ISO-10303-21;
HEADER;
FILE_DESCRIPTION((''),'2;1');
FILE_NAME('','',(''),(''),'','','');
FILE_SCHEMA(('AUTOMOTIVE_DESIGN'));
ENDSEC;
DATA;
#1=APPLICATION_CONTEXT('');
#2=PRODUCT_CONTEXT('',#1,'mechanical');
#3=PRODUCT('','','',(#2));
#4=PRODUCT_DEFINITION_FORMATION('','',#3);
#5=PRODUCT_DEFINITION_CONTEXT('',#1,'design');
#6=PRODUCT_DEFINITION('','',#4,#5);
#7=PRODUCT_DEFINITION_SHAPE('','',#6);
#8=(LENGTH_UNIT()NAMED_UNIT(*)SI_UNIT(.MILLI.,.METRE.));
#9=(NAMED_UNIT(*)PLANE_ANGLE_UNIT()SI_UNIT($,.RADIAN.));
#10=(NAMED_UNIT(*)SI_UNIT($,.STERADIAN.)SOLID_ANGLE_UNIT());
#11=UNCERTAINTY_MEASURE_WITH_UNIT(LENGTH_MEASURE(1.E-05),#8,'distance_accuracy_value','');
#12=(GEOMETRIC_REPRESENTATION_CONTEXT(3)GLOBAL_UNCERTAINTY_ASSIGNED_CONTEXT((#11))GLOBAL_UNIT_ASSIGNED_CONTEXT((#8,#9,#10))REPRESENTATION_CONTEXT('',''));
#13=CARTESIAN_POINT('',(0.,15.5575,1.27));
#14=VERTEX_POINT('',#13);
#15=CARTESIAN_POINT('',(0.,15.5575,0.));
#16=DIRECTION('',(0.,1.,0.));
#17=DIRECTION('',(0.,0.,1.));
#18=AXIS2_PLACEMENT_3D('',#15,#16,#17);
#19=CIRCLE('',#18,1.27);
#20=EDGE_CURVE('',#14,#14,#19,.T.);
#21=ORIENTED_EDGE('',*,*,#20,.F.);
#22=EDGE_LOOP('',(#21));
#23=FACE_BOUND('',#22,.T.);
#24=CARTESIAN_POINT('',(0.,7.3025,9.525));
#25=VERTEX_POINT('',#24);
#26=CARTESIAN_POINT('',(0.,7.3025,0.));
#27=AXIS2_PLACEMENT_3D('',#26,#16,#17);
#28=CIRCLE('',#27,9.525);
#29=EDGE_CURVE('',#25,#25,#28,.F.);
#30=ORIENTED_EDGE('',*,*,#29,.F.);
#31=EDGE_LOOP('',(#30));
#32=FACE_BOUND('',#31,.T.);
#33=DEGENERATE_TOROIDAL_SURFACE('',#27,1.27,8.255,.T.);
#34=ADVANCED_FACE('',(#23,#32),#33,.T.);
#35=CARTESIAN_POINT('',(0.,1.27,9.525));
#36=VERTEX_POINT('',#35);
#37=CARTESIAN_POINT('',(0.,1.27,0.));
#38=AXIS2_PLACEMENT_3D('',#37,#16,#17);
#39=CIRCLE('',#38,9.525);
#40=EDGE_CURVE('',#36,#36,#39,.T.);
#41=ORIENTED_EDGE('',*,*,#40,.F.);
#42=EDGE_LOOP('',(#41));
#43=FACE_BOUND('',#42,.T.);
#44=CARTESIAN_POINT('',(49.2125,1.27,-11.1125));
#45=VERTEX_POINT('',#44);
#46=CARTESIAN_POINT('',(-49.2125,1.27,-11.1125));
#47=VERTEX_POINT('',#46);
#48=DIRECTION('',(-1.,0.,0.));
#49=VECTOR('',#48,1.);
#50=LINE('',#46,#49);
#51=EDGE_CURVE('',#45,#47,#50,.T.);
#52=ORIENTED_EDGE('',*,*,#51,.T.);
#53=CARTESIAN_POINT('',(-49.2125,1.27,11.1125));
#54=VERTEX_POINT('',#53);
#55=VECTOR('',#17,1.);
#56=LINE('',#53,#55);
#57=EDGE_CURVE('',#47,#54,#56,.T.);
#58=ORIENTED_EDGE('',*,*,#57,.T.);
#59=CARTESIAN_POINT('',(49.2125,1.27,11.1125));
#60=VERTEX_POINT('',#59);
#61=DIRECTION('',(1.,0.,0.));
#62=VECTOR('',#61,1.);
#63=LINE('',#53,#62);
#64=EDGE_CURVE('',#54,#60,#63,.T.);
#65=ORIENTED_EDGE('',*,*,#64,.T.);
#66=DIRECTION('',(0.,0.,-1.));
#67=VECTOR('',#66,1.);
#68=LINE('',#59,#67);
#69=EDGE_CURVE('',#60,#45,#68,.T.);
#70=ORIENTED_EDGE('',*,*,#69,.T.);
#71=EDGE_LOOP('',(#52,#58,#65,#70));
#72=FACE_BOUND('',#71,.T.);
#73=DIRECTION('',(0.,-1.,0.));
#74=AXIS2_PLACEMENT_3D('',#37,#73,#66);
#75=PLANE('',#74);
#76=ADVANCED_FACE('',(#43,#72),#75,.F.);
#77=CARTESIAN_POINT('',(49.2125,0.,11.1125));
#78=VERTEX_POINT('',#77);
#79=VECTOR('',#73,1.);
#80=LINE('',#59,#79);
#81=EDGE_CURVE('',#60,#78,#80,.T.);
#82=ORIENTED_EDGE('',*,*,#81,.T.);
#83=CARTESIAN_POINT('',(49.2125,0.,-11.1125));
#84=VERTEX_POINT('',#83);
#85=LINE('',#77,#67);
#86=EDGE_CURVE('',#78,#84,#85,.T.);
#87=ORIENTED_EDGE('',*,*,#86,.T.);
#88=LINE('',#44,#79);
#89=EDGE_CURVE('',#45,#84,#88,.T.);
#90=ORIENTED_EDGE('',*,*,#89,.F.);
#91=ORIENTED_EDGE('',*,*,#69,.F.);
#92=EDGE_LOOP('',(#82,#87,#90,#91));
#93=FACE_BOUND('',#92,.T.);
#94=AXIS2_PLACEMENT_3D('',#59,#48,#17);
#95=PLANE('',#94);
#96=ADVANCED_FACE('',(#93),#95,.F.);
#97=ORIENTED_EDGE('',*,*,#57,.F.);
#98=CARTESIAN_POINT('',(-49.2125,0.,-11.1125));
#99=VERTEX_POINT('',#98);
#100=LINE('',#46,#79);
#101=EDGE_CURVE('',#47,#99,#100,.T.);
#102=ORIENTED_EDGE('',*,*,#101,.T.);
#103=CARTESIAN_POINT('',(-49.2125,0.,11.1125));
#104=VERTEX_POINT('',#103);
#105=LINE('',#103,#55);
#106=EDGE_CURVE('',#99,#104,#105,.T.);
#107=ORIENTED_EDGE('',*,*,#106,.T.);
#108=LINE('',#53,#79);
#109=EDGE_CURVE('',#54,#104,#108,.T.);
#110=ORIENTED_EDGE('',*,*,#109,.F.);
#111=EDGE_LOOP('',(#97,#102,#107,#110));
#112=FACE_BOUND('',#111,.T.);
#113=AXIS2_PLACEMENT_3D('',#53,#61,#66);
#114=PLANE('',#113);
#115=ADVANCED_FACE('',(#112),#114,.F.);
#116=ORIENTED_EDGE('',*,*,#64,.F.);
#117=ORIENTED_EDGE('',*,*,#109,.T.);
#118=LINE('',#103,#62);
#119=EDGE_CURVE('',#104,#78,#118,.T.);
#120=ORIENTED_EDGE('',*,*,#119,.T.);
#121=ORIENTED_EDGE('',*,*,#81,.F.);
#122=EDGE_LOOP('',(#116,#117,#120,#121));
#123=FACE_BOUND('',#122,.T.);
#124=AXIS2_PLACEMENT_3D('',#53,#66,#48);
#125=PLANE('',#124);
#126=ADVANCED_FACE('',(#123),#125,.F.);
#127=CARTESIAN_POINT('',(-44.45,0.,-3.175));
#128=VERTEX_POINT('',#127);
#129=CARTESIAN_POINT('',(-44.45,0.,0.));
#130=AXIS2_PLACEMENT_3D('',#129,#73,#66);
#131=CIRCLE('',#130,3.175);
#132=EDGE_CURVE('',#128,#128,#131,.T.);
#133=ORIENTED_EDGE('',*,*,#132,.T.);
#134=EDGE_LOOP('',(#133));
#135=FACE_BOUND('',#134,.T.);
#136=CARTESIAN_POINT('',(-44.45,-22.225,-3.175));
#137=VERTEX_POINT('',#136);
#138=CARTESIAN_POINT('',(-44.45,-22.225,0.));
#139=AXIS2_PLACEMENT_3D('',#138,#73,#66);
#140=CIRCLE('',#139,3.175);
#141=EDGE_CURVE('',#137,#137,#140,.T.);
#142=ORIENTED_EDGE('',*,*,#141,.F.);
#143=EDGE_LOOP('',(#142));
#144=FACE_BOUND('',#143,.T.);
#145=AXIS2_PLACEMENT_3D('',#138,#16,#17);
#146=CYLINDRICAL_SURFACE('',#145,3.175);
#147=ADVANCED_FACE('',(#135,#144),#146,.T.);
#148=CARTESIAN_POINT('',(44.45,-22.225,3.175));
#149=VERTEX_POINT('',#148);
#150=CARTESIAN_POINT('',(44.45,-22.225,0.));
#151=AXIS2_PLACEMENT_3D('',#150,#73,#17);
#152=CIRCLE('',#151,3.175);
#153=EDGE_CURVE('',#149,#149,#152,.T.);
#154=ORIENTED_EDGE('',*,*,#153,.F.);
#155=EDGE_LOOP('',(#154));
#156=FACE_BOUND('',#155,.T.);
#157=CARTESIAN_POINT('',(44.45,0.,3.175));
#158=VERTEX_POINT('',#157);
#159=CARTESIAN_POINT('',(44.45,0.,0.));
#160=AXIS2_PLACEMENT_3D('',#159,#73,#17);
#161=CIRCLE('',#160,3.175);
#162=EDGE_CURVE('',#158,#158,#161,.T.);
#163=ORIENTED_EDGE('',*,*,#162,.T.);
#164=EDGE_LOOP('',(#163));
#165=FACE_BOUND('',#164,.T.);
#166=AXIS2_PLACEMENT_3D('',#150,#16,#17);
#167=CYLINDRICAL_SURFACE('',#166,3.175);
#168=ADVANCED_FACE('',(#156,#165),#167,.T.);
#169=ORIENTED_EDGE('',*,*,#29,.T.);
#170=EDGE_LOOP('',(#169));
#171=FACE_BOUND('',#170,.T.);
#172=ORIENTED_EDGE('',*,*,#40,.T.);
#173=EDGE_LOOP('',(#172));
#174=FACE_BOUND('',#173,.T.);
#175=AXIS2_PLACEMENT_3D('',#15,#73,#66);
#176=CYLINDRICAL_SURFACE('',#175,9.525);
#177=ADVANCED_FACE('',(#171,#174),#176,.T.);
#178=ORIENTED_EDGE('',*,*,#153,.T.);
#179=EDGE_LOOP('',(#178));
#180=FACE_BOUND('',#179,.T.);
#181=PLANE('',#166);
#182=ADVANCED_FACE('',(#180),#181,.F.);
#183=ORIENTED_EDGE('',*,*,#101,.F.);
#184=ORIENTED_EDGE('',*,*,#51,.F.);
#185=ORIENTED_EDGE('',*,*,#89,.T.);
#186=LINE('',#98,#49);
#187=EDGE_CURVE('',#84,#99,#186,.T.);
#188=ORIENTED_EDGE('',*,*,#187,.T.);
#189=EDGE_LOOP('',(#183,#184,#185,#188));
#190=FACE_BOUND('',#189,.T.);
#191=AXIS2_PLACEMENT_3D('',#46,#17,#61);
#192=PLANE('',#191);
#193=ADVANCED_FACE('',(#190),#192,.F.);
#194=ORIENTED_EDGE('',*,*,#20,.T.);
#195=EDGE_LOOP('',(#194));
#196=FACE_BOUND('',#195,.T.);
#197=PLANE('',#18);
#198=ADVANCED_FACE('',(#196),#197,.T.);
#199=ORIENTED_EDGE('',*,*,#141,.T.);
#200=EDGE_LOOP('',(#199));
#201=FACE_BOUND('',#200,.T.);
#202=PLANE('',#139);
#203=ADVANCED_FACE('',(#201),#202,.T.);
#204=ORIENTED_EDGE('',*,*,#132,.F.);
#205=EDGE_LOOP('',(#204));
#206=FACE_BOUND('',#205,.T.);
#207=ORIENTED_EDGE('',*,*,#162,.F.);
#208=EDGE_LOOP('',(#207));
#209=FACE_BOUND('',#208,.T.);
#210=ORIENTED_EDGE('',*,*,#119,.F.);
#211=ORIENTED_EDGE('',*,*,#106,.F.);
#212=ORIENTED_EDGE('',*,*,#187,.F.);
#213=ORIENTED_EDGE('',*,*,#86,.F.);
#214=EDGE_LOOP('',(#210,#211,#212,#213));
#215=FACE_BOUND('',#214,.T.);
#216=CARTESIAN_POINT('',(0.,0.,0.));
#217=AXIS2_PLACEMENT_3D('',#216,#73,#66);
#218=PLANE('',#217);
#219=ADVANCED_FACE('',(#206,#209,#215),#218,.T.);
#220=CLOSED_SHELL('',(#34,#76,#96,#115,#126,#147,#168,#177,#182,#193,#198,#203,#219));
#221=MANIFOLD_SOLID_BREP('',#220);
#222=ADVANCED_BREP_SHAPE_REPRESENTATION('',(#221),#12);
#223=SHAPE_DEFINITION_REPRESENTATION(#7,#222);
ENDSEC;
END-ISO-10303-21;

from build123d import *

# Parameters (mm, degrees)
SKETCH1_W           = 98.425
SKETCH1_H           = 22.225
BOSS_EXTRUDE1_DEPTH = 1.27
SKETCH2_R           = 9.525
BOSS_EXTRUDE2_DEPTH = 14.2875
FILLET3_R           = 8.255
SKETCH3_R           = 3.175
BOSS_EXTRUDE3_DEPTH = 22.225


with BuildPart() as part:
    # Sketch1 → Boss-Extrude1 (new body)
    with BuildSketch(Plane(origin=(0, 0, 0), x_dir=(1, 0, 0), z_dir=(0, 1, 0))):
        Rectangle(SKETCH1_W, SKETCH1_H)
    extrude(amount=BOSS_EXTRUDE1_DEPTH)

    # Sketch2 → Boss-Extrude2 (add)
    with BuildSketch(Plane(origin=(0, 1.27, 0), x_dir=(1, 0, 0), z_dir=(0, 1, 0))):
        Circle(SKETCH2_R)
    extrude(amount=BOSS_EXTRUDE2_DEPTH)

    # Fillet3
    fillet3_edges = [part.edges().sort_by_distance(p)[0] for p in [
        (-9.525, 15.5575, 0),
    ]]
    fillet(fillet3_edges, radius=FILLET3_R)

    # Sketch3 → Boss-Extrude3 (add)
    with BuildSketch(Plane.XZ):
        with Locations((-44.45, 0)):
            Circle(SKETCH3_R)
        with Locations((44.45, 0)):
            Circle(SKETCH3_R)
    extrude(amount=BOSS_EXTRUDE3_DEPTH)


solid = part.part
